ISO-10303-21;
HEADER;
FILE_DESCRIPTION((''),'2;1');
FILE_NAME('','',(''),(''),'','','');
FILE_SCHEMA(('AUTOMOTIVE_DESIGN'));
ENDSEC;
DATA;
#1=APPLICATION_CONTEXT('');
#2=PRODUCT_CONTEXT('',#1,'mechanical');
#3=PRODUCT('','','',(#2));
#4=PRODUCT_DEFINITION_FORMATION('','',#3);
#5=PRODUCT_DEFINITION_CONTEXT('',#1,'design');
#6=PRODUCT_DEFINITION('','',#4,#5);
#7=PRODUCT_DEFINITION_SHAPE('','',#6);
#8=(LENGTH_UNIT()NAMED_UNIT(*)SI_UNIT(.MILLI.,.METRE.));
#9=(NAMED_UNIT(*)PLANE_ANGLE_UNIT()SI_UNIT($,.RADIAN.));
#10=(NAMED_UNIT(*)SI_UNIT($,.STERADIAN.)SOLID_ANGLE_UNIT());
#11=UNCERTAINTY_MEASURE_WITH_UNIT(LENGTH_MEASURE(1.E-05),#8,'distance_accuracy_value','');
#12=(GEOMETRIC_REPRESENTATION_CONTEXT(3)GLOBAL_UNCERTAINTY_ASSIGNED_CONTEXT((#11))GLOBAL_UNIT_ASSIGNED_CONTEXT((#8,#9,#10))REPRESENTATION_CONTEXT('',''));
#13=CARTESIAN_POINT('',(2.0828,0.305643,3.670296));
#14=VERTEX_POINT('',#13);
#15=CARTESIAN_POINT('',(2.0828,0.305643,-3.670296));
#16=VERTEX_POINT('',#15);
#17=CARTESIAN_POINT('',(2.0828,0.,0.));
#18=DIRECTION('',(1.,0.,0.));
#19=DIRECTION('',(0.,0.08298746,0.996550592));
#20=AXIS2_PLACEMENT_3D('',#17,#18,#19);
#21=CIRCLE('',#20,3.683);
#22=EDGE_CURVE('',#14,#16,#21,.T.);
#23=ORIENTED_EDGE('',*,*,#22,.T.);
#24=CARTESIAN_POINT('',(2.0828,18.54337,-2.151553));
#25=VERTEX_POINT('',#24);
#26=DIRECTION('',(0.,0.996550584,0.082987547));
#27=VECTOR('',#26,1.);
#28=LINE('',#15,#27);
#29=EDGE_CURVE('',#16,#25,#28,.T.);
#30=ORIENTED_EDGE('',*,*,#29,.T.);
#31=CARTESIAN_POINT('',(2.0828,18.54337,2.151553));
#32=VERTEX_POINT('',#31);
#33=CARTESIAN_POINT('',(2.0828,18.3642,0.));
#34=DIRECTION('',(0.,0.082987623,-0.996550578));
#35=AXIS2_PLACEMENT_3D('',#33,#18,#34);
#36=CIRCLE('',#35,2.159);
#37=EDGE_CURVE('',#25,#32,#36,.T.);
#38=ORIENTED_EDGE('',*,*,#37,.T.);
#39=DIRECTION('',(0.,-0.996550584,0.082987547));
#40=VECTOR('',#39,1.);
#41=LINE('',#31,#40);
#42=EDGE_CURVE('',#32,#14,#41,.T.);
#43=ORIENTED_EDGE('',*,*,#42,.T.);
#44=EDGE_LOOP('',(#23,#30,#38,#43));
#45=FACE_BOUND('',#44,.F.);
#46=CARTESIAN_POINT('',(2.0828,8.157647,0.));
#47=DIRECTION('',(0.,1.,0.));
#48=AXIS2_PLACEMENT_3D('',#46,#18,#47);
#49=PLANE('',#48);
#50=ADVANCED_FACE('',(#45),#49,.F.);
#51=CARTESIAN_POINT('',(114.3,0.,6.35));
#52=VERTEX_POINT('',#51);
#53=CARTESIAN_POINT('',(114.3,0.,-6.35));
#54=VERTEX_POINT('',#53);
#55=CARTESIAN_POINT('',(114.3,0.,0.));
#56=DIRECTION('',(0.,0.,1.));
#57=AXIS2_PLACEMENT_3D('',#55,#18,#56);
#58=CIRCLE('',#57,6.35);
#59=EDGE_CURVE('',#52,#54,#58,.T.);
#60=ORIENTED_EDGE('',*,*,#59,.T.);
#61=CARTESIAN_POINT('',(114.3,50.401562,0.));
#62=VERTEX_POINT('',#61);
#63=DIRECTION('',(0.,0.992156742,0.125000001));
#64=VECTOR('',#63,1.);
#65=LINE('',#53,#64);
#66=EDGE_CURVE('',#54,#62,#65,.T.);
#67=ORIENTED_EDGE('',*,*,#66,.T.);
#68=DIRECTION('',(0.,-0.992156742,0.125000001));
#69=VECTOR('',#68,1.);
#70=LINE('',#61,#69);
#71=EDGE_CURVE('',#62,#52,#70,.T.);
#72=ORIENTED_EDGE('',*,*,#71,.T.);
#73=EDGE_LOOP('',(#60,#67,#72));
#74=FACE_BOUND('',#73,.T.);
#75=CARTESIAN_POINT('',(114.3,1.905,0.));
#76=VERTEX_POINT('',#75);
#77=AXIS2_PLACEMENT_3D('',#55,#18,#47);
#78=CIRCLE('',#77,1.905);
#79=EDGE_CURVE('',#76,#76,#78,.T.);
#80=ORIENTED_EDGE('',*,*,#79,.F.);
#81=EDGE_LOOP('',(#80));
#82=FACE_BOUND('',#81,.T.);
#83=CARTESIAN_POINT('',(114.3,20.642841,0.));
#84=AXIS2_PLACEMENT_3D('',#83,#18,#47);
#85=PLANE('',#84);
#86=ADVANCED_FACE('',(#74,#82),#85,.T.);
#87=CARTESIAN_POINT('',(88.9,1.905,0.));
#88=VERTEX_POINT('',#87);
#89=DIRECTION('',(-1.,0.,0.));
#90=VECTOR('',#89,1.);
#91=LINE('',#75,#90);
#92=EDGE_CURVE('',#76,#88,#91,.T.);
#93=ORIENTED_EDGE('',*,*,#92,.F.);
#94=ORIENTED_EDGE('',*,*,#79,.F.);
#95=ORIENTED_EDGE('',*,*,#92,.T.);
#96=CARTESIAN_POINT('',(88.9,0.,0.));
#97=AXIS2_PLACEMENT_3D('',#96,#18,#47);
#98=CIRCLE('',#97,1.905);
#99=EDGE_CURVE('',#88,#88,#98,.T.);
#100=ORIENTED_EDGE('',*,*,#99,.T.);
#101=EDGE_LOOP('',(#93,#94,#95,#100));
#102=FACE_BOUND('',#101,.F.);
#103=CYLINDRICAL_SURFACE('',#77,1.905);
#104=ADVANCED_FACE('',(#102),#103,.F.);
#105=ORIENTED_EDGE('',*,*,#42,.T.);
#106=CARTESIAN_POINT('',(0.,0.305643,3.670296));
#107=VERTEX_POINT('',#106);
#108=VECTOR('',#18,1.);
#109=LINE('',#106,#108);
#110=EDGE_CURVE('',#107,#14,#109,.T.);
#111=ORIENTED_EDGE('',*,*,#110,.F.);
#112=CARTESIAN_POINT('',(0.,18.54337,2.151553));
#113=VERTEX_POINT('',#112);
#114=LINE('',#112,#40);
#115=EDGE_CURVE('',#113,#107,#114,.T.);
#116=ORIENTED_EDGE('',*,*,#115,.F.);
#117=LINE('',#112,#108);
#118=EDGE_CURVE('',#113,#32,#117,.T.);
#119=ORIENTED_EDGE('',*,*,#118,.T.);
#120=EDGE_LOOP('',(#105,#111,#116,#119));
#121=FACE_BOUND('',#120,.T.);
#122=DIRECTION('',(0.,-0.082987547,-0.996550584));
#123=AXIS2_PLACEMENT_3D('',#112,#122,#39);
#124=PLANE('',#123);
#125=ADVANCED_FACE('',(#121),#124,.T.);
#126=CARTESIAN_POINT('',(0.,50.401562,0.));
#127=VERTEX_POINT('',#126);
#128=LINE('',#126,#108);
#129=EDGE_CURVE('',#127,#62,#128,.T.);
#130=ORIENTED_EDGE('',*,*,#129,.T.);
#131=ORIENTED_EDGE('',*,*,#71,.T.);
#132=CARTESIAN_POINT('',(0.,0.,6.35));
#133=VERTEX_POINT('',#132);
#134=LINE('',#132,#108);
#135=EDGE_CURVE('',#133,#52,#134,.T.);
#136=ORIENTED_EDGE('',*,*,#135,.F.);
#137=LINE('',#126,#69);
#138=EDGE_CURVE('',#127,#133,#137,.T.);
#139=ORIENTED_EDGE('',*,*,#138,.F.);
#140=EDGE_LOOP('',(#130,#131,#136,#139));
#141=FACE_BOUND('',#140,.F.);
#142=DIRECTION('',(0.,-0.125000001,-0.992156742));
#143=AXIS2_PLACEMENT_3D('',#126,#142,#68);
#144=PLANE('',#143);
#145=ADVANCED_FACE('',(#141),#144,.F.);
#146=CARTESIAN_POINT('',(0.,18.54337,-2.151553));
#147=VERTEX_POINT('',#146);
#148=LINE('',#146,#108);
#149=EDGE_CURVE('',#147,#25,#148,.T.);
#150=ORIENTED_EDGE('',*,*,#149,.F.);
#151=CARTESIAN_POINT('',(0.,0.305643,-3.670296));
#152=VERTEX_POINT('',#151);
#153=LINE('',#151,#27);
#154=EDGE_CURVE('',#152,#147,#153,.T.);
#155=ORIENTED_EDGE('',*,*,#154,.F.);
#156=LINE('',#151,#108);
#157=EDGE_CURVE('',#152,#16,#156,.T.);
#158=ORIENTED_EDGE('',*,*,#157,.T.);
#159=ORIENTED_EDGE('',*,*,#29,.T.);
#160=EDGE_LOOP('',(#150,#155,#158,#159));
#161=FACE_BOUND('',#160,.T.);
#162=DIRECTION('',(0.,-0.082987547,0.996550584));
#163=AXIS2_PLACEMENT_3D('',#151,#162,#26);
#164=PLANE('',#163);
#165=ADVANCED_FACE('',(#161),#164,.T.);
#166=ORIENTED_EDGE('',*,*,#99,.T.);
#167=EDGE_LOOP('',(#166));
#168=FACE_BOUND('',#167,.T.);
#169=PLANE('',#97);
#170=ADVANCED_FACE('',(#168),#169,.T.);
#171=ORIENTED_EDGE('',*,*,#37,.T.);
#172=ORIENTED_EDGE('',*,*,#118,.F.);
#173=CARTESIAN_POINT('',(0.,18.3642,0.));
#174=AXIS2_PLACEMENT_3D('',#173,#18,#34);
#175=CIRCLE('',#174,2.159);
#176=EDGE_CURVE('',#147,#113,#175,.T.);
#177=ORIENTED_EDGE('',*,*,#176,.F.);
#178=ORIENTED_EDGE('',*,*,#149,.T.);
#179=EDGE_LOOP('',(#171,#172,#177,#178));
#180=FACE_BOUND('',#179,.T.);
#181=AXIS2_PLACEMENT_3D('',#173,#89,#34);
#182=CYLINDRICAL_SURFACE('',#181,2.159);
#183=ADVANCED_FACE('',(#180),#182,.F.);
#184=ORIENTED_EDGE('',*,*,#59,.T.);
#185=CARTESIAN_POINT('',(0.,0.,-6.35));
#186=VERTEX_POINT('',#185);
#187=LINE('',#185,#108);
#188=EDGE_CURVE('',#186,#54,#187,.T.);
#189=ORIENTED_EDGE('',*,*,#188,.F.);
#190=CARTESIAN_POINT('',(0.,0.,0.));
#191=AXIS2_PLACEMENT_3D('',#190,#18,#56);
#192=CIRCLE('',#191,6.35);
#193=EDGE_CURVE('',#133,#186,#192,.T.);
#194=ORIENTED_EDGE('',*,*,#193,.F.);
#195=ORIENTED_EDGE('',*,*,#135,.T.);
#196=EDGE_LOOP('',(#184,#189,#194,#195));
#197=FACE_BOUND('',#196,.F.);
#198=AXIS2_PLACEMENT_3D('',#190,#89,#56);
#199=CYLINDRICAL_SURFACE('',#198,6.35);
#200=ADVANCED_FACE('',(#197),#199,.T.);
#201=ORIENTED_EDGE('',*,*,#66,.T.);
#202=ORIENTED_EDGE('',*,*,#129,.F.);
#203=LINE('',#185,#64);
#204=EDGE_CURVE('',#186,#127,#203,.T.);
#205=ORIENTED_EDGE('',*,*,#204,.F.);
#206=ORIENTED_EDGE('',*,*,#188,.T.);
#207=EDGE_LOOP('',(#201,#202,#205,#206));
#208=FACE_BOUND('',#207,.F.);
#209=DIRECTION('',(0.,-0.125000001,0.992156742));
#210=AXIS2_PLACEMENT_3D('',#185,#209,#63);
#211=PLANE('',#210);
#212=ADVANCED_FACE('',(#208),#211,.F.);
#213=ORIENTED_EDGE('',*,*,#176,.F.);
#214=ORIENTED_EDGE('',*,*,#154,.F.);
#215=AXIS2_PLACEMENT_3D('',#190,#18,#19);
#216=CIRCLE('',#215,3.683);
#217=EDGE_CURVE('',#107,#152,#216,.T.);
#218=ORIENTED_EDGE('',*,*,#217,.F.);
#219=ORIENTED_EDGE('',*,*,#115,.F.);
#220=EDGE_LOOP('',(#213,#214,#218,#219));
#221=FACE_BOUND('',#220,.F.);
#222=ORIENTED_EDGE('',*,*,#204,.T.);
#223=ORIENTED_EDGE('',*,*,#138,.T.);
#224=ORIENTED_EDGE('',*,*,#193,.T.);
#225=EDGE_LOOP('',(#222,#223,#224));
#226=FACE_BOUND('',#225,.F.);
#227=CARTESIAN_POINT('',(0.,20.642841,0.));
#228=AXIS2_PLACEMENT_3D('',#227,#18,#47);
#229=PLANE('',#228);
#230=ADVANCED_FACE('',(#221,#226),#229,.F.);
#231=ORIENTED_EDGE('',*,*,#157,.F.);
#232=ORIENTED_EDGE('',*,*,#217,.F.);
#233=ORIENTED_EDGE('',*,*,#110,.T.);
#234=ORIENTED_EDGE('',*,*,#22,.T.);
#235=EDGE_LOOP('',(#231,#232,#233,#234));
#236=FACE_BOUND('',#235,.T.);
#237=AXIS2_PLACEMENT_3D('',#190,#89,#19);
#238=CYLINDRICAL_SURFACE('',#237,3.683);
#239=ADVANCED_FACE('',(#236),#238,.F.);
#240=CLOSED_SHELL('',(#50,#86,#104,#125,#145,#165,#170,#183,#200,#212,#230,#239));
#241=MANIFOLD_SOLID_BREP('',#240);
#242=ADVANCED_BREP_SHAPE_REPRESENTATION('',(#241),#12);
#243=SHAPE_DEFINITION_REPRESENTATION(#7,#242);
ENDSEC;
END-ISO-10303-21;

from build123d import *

# Parameters (mm, degrees)
F0_R     = 2.8575
F1_DEPTH = 114.3
F2_DEPTH = 2.0828
F3_R     = 1.905
F4_DEPTH = 25.4


with BuildPart() as f1:
    # F0 (on Right) → F1 (new body)
    with BuildSketch(Plane.YZ):
        with BuildLine():
            Line((50.401562, 0), (0, 6.35))
            ThreePointArc((0, 6.35), (-6.35, 0), (0, -6.35))
            Line((0, -6.35), (50.401562, 0))
        make_face()
        with BuildLine():
            ThreePointArc((0.305643, -3.670296), (-3.683, 0), (0.305643, 3.670296))
            Line((0.305643, 3.670296), (18.54337, 2.151553))
            ThreePointArc((18.54337, 2.151553), (20.5232, 0), (18.54337, -2.151553))
            Line((18.54337, -2.151553), (0.305643, -3.670296))
        make_face(mode=Mode.SUBTRACT)
        with BuildLine():
            Line((18.54337, 2.151553), (0.305643, 3.670296))
            ThreePointArc((0.305643, 3.670296), (-3.683, 0), (0.305643, -3.670296))
            Line((0.305643, -3.670296), (18.54337, -2.151553))
            ThreePointArc((18.54337, -2.151553), (20.5232, 0), (18.54337, 2.151553))
        make_face()
        Circle(F0_R, mode=Mode.SUBTRACT)
        Circle(F0_R)
    extrude(amount=F1_DEPTH)

    # F0 (on Right) → F2 (cut)
    with BuildSketch(Plane.YZ):
        with BuildLine():
            Line((18.54337, 2.151553), (0.305643, 3.670296))
            ThreePointArc((0.305643, 3.670296), (-3.683, 0), (0.305643, -3.670296))
            Line((0.305643, -3.670296), (18.54337, -2.151553))
            ThreePointArc((18.54337, -2.151553), (20.5232, 0), (18.54337, 2.151553))
        make_face()
        Circle(F0_R, mode=Mode.SUBTRACT)
        Circle(F0_R)
    extrude(amount=F2_DEPTH, mode=Mode.SUBTRACT)

    # F3 (on face) → F4 (cut)
    with BuildSketch(Plane.YZ.offset(114.3)):
        Circle(F3_R)
    extrude(amount=-F4_DEPTH, mode=Mode.SUBTRACT)


solid = f1.part
